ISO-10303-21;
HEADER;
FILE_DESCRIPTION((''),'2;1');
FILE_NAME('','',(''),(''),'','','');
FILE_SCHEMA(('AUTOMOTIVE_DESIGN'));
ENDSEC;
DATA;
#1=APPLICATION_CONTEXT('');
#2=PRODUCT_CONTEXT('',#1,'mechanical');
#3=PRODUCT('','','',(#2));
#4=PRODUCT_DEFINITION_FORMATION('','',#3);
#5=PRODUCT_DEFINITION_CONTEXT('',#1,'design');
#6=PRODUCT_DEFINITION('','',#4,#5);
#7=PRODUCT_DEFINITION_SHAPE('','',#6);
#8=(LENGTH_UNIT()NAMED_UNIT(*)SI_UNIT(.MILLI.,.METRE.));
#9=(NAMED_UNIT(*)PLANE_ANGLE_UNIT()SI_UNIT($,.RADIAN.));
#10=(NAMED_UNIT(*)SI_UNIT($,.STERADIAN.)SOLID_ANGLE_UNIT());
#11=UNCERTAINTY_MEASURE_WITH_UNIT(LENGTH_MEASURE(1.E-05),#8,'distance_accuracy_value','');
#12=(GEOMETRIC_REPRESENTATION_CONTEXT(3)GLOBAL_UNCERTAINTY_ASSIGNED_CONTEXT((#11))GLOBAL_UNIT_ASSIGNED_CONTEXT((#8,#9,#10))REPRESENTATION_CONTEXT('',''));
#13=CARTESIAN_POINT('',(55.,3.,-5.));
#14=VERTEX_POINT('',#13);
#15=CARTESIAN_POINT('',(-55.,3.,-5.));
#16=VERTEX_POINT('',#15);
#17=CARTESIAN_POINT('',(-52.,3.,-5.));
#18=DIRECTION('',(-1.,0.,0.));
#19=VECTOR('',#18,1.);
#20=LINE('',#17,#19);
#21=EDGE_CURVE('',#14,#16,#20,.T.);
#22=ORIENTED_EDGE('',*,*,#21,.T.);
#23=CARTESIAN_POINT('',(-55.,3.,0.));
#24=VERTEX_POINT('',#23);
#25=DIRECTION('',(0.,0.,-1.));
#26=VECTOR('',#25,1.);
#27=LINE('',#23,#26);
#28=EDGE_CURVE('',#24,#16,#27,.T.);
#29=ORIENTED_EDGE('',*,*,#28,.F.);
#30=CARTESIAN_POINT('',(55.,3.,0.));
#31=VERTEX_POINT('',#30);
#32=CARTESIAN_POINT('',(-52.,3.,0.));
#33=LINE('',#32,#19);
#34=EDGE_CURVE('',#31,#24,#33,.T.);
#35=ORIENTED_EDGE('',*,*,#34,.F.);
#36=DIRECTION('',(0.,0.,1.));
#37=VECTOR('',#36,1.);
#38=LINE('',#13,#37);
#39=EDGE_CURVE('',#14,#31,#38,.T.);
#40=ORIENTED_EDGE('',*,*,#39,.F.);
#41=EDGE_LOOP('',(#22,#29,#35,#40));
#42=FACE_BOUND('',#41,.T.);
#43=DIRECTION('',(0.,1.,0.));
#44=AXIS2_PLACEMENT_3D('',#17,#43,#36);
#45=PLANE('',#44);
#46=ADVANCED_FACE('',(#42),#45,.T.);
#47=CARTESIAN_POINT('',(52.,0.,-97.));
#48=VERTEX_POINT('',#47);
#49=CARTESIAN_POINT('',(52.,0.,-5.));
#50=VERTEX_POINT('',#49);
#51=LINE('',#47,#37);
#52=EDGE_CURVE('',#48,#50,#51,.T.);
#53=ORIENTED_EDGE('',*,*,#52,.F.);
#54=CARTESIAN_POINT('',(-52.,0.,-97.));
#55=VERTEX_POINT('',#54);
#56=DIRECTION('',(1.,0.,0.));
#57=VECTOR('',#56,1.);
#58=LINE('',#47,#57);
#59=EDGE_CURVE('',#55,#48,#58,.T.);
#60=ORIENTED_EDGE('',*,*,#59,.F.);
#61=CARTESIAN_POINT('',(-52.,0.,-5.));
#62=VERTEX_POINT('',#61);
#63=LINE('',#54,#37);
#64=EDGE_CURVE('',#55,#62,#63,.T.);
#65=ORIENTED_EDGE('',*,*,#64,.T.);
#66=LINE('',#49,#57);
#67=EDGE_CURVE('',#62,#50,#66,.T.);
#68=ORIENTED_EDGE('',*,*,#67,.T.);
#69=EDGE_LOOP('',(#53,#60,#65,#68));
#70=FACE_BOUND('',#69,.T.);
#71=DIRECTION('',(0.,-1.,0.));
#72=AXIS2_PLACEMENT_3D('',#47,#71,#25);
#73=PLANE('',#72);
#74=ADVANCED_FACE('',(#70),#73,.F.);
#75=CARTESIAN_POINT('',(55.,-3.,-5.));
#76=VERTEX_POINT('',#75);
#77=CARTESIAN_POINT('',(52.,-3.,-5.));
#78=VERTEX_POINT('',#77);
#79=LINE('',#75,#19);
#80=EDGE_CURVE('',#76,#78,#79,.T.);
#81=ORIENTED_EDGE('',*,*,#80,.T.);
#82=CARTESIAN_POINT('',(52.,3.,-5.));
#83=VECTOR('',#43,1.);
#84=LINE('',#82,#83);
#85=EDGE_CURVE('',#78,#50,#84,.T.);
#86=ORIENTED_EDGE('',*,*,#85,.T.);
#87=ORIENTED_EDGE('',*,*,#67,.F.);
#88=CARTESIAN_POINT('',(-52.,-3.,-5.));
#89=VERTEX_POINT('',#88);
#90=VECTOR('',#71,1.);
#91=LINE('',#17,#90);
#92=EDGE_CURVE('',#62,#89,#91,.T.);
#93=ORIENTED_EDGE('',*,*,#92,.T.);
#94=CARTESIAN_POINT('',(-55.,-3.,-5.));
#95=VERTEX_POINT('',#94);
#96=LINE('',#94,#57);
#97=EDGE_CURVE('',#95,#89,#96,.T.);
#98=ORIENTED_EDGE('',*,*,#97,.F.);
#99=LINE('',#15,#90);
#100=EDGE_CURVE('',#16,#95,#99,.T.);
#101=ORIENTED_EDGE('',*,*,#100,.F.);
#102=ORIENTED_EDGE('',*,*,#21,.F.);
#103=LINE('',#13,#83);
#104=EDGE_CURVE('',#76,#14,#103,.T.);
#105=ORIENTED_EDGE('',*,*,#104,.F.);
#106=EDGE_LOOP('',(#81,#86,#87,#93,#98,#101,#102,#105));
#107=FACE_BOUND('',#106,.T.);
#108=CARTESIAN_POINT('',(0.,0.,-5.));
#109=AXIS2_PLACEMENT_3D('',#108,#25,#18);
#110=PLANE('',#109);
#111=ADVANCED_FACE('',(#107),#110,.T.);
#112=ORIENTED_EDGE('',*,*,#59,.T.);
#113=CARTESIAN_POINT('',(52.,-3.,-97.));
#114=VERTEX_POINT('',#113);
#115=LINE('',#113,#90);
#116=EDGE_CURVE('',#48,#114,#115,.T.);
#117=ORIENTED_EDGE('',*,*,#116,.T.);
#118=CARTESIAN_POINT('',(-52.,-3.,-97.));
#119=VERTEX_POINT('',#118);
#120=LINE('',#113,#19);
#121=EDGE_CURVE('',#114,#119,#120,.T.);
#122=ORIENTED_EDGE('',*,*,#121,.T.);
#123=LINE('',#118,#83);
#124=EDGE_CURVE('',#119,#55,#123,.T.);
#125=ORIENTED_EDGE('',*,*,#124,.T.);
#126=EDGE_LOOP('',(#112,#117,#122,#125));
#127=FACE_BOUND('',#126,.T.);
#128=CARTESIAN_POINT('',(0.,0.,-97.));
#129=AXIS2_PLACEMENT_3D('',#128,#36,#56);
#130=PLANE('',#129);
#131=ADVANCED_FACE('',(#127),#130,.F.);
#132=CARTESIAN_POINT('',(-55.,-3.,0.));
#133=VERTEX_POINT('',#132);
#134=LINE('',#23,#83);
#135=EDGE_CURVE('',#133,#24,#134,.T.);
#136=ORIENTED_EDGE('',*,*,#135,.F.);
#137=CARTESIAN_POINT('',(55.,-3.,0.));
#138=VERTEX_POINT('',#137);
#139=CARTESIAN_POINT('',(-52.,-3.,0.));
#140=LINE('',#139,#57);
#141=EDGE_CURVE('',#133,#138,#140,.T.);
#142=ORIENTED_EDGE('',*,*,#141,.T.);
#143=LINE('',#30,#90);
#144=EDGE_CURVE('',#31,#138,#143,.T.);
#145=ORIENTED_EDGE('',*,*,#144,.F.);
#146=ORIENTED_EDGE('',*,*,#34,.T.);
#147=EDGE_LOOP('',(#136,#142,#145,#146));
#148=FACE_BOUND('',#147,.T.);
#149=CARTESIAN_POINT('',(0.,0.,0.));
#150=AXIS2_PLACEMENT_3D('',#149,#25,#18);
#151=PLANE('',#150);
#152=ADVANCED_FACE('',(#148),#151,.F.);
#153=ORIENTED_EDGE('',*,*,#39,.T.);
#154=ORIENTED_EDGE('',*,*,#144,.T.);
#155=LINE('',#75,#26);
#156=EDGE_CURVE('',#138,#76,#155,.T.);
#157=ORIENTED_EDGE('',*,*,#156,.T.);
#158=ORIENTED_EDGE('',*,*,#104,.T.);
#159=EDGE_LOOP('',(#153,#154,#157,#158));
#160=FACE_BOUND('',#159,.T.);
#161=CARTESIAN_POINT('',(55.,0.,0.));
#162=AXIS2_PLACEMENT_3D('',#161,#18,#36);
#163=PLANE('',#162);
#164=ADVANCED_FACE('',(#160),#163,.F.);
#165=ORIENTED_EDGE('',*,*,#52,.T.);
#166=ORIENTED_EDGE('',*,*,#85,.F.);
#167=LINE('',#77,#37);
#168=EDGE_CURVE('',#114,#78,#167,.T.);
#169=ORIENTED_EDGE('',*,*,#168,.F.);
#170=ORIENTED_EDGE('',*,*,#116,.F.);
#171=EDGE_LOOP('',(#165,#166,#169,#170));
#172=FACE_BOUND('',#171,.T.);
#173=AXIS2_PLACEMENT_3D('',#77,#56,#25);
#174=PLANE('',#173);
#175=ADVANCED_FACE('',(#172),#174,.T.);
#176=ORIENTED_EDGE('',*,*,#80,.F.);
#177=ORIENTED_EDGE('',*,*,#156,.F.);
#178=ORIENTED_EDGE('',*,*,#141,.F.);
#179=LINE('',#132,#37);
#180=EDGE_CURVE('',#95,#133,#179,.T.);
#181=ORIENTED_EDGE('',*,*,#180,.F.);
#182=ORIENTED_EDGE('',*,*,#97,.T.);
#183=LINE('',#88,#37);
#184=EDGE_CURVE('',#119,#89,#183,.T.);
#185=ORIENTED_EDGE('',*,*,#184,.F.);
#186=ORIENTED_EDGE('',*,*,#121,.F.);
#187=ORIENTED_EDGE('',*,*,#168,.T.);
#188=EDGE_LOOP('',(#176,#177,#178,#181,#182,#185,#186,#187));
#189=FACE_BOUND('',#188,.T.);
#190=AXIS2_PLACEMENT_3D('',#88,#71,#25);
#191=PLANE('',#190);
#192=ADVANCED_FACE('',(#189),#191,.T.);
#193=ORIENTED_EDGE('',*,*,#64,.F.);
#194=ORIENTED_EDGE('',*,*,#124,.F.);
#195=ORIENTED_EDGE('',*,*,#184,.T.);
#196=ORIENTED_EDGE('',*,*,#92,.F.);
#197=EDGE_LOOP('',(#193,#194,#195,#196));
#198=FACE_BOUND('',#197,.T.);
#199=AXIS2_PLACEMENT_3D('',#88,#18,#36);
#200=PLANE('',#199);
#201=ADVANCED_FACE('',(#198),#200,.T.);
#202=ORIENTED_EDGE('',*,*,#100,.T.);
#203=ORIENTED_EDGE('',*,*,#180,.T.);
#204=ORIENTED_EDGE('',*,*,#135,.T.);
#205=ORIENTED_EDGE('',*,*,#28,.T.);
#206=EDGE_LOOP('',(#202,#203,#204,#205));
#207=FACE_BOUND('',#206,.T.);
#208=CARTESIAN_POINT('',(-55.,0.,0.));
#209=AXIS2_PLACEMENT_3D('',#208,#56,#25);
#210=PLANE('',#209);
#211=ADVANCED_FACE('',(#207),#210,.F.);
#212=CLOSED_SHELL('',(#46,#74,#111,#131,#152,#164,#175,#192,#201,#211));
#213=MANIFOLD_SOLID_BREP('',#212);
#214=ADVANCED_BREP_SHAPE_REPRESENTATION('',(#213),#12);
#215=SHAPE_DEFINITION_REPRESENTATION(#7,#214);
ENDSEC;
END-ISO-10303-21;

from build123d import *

# Parameters (mm, degrees)
SKETCH1_W           = 104
SKETCH1_H           = 6
BOSS_EXTRUDE1_DEPTH = 5
SKETCH2_W           = 104
SKETCH2_H           = 3
BOSS_EXTRUDE2_DEPTH = 92
SKETCH3_W           = 5
SKETCH3_H           = 6
BOSS_EXTRUDE3_DEPTH = 3
SKETCH4_W           = 5
SKETCH4_H           = 6
BOSS_EXTRUDE4_DEPTH = 3


with BuildPart() as part:
    # Sketch1 → Boss-Extrude1 (new body)
    with BuildSketch(Plane.XY):
        Rectangle(SKETCH1_W, SKETCH1_H)
    extrude(amount=-BOSS_EXTRUDE1_DEPTH)

    # Sketch2 → Boss-Extrude2 (add)
    with BuildSketch(Plane(origin=(0, 0, -5), x_dir=(-1, 0, 0), z_dir=(0, 0, -1))):
        with Locations((0, -1.5)):
            Rectangle(SKETCH2_W, SKETCH2_H)
    extrude(amount=BOSS_EXTRUDE2_DEPTH)

    # Sketch3 → Boss-Extrude3 (add)
    with BuildSketch(Plane(origin=(52, 0, 0), x_dir=(0, 0, -1), z_dir=(1, 0, 0))):
        with Locations((2.5, 0)):
            Rectangle(SKETCH3_W, SKETCH3_H)
    extrude(amount=BOSS_EXTRUDE3_DEPTH)

    # Sketch4 → Boss-Extrude4 (add)
    with BuildSketch(Plane.ZY.offset(52)):
        with Locations((-2.5, 0)):
            Rectangle(SKETCH4_W, SKETCH4_H)
    extrude(amount=BOSS_EXTRUDE4_DEPTH)


solid = part.part
